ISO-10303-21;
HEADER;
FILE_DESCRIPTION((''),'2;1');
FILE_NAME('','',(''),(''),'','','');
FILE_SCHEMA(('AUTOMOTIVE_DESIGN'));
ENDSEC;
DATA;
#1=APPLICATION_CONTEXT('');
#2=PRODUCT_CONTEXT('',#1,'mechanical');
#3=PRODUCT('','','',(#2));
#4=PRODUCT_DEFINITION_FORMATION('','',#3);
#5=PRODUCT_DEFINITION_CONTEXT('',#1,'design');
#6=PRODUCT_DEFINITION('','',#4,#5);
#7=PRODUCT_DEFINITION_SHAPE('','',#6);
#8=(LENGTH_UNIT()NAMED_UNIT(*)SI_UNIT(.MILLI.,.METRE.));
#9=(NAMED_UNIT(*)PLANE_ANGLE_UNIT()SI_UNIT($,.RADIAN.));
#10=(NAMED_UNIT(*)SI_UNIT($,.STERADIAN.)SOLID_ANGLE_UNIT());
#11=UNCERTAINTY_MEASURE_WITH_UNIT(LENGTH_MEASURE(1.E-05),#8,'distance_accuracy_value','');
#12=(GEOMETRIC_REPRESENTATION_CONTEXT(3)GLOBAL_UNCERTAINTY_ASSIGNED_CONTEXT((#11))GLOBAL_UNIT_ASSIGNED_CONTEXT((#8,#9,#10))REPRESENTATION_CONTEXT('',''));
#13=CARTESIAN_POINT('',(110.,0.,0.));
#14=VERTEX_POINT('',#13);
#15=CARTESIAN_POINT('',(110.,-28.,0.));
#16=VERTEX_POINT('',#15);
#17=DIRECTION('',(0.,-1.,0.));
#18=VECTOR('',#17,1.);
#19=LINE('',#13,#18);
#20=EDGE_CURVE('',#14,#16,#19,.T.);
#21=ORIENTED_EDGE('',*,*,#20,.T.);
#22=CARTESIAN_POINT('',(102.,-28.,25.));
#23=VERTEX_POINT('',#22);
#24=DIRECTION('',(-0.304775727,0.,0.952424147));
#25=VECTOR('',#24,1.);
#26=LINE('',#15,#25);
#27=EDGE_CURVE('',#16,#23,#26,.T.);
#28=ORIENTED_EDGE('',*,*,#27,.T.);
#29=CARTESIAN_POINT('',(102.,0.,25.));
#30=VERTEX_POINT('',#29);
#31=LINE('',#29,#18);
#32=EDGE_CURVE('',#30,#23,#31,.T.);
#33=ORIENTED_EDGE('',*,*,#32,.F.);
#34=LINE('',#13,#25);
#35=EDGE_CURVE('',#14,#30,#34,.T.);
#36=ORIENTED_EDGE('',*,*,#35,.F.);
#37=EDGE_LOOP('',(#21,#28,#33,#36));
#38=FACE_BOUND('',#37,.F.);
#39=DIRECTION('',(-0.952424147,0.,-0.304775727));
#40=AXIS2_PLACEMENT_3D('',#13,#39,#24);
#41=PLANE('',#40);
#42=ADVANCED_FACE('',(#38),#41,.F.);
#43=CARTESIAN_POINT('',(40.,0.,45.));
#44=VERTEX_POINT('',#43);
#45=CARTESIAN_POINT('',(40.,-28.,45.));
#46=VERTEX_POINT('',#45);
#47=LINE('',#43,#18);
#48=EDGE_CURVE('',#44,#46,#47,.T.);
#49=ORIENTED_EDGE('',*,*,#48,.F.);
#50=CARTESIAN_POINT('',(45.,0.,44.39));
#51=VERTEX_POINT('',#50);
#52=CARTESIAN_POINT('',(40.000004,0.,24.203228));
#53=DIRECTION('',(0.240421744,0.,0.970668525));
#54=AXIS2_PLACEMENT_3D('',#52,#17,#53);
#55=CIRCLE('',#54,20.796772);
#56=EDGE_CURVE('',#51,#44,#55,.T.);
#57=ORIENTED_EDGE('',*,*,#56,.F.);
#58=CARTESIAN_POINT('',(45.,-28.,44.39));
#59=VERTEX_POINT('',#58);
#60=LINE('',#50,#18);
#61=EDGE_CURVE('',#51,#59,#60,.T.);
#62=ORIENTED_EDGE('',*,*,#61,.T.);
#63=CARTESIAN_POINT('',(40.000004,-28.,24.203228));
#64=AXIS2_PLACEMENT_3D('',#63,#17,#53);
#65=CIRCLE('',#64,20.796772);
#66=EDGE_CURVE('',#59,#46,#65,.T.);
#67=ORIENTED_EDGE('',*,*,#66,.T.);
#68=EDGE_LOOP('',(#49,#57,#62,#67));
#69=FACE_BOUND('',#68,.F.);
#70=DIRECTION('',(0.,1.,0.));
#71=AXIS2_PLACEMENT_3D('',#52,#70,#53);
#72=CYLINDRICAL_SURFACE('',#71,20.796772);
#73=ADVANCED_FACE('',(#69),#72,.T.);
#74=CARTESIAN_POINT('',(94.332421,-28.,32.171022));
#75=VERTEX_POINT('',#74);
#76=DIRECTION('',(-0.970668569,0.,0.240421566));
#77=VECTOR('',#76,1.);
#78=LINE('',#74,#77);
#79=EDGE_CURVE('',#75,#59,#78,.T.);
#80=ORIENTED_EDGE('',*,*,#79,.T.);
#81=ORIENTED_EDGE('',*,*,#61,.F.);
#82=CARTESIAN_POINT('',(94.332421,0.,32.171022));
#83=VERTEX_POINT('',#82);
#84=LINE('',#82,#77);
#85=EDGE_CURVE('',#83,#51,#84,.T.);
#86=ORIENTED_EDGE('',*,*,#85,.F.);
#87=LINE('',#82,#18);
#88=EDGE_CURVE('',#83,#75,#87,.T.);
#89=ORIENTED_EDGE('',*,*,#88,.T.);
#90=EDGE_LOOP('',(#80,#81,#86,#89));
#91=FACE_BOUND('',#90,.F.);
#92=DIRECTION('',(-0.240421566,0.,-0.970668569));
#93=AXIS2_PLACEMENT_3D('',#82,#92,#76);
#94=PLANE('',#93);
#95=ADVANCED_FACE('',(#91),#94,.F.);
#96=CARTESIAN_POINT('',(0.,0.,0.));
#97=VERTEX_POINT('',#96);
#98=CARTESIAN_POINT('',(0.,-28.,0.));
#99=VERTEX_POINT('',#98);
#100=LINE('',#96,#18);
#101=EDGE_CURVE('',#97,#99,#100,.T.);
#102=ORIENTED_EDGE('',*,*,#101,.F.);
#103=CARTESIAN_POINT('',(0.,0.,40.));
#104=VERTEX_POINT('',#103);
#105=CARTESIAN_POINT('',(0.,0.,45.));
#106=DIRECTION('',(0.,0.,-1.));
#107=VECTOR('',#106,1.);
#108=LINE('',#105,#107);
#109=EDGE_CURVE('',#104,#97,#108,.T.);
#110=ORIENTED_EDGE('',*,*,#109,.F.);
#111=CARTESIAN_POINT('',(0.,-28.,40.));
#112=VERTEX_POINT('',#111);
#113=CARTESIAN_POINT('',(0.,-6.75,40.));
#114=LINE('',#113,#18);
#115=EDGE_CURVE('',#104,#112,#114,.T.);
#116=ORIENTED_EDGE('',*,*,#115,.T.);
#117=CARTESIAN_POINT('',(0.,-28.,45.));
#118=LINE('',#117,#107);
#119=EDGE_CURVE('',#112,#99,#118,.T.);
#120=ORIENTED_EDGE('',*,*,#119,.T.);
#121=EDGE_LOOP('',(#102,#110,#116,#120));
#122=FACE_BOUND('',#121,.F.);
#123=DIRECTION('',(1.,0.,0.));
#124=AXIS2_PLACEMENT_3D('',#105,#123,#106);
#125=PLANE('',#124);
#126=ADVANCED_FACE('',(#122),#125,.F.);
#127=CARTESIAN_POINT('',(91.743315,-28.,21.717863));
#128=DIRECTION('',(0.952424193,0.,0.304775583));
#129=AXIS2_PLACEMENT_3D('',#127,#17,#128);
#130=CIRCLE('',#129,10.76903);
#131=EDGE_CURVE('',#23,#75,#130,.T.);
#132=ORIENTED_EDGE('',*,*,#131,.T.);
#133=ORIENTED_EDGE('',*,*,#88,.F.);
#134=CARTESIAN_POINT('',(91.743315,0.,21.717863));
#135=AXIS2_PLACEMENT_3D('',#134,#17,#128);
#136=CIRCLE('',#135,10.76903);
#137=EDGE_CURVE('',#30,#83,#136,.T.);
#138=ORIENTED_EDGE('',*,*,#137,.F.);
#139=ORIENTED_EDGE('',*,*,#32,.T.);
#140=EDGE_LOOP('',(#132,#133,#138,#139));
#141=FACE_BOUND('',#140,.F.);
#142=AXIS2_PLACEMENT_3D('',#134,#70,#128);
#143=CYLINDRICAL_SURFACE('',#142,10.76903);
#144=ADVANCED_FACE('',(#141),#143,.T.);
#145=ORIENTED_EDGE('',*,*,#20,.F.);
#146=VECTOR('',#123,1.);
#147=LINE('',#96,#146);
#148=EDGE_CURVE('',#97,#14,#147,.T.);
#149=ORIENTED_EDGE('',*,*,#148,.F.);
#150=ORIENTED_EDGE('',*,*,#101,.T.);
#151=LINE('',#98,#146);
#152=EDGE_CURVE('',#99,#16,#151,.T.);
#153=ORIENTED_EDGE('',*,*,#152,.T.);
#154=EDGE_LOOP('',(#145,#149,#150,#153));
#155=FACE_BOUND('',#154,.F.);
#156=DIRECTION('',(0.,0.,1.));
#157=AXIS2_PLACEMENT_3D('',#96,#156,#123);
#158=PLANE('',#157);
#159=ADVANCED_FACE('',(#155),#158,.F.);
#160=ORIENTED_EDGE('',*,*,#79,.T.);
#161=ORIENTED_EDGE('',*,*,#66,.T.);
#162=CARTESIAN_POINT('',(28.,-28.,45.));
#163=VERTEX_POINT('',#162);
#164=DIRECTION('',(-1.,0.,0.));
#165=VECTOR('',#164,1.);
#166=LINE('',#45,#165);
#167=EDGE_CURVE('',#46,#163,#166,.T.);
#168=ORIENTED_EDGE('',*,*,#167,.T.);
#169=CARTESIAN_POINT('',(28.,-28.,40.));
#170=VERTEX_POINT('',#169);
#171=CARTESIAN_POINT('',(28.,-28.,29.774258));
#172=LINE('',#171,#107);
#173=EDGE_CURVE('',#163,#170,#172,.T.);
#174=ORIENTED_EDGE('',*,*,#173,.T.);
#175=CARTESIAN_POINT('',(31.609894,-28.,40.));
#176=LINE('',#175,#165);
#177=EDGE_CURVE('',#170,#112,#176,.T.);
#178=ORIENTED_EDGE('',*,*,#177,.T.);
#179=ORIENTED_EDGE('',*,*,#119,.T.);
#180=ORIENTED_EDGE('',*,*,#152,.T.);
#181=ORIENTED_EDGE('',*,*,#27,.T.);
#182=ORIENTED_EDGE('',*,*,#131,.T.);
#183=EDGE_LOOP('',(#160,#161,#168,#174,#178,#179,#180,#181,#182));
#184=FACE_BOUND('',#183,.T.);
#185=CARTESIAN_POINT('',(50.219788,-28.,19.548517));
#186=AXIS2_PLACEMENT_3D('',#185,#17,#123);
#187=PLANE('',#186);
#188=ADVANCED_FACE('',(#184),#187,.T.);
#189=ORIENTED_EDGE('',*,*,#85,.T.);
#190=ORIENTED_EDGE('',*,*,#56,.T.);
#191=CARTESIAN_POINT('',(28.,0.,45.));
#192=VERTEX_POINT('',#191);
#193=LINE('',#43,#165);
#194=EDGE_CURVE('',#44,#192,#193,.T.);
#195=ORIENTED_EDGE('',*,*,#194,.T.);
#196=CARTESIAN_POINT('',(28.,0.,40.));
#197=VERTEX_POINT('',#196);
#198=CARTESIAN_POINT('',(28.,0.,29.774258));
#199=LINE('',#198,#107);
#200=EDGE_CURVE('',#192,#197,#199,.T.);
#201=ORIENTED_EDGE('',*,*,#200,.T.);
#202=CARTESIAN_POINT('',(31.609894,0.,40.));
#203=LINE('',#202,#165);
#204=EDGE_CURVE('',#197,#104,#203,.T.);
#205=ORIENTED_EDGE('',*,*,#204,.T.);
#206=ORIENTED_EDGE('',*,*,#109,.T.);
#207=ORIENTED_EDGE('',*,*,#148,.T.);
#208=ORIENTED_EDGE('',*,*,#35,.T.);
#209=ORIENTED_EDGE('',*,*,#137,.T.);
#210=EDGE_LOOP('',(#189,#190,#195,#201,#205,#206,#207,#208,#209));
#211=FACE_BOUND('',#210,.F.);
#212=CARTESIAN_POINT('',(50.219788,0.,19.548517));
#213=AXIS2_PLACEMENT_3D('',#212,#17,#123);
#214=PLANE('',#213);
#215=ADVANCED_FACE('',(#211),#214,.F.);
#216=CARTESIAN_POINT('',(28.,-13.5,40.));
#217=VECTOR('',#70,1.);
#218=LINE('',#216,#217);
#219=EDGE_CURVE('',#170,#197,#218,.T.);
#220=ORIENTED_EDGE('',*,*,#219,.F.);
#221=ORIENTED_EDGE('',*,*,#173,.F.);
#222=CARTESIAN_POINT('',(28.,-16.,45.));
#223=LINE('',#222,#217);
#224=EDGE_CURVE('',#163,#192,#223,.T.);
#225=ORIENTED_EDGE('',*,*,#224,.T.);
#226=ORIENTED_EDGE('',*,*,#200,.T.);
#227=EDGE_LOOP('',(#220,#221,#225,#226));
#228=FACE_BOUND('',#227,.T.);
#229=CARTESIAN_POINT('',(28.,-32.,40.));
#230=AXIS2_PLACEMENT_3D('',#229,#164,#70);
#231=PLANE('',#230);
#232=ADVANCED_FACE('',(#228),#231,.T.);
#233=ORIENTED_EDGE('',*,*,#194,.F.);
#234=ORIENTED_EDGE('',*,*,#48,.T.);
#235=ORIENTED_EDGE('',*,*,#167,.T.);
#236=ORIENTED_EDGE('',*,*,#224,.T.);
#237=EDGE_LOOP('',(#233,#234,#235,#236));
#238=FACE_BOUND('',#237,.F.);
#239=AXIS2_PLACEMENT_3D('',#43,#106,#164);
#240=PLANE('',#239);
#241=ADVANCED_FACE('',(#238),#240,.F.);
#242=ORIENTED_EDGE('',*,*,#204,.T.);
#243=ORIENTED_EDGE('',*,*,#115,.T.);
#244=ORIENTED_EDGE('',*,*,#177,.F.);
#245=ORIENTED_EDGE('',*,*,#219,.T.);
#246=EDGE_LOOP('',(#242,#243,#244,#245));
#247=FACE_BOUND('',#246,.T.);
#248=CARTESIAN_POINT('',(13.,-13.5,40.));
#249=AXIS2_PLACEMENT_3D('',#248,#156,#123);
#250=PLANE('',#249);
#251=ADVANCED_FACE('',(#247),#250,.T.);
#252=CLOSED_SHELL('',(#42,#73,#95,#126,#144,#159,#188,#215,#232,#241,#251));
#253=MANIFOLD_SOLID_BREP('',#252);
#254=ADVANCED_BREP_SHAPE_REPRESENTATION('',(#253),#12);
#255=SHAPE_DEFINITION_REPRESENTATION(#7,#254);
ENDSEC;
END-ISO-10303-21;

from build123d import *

# Parameters (mm, degrees)
BOX_W     = 30
BOX_H     = 37
BOX_DEPTH = 13
PAD_DEPTH = 28


with BuildPart() as cube:
    # Box → Box (new body)
    with BuildSketch(Plane(origin=(-2, -32, 40), x_dir=(1, 0, 0), z_dir=(0, 0, 1))):
        with Locations((15, 18.5)):
            Rectangle(BOX_W, BOX_H)
    extrude(amount=BOX_DEPTH)


with BuildPart() as cut:
    # Sketch → Pad (new body)
    with BuildSketch(Plane.XZ):
        with BuildLine():
            Line((0, 0), (110, 0))
            Line((110, 0), (102, 25))
            ThreePointArc((102, 25), (99.099229, 29.583137), (94.332421, 32.171022))
            Line((94.332421, 32.171022), (45, 44.39))
            ThreePointArc((45, 44.39), (42.518536, 44.846937), (40, 45))
            Line((40, 45), (0, 45))
            Line((0, 45), (0, 0))
        make_face()
    extrude(amount=PAD_DEPTH)

    # Cut: cut Cube
    add(cube.part, mode=Mode.SUBTRACT)


solid = cut.part
